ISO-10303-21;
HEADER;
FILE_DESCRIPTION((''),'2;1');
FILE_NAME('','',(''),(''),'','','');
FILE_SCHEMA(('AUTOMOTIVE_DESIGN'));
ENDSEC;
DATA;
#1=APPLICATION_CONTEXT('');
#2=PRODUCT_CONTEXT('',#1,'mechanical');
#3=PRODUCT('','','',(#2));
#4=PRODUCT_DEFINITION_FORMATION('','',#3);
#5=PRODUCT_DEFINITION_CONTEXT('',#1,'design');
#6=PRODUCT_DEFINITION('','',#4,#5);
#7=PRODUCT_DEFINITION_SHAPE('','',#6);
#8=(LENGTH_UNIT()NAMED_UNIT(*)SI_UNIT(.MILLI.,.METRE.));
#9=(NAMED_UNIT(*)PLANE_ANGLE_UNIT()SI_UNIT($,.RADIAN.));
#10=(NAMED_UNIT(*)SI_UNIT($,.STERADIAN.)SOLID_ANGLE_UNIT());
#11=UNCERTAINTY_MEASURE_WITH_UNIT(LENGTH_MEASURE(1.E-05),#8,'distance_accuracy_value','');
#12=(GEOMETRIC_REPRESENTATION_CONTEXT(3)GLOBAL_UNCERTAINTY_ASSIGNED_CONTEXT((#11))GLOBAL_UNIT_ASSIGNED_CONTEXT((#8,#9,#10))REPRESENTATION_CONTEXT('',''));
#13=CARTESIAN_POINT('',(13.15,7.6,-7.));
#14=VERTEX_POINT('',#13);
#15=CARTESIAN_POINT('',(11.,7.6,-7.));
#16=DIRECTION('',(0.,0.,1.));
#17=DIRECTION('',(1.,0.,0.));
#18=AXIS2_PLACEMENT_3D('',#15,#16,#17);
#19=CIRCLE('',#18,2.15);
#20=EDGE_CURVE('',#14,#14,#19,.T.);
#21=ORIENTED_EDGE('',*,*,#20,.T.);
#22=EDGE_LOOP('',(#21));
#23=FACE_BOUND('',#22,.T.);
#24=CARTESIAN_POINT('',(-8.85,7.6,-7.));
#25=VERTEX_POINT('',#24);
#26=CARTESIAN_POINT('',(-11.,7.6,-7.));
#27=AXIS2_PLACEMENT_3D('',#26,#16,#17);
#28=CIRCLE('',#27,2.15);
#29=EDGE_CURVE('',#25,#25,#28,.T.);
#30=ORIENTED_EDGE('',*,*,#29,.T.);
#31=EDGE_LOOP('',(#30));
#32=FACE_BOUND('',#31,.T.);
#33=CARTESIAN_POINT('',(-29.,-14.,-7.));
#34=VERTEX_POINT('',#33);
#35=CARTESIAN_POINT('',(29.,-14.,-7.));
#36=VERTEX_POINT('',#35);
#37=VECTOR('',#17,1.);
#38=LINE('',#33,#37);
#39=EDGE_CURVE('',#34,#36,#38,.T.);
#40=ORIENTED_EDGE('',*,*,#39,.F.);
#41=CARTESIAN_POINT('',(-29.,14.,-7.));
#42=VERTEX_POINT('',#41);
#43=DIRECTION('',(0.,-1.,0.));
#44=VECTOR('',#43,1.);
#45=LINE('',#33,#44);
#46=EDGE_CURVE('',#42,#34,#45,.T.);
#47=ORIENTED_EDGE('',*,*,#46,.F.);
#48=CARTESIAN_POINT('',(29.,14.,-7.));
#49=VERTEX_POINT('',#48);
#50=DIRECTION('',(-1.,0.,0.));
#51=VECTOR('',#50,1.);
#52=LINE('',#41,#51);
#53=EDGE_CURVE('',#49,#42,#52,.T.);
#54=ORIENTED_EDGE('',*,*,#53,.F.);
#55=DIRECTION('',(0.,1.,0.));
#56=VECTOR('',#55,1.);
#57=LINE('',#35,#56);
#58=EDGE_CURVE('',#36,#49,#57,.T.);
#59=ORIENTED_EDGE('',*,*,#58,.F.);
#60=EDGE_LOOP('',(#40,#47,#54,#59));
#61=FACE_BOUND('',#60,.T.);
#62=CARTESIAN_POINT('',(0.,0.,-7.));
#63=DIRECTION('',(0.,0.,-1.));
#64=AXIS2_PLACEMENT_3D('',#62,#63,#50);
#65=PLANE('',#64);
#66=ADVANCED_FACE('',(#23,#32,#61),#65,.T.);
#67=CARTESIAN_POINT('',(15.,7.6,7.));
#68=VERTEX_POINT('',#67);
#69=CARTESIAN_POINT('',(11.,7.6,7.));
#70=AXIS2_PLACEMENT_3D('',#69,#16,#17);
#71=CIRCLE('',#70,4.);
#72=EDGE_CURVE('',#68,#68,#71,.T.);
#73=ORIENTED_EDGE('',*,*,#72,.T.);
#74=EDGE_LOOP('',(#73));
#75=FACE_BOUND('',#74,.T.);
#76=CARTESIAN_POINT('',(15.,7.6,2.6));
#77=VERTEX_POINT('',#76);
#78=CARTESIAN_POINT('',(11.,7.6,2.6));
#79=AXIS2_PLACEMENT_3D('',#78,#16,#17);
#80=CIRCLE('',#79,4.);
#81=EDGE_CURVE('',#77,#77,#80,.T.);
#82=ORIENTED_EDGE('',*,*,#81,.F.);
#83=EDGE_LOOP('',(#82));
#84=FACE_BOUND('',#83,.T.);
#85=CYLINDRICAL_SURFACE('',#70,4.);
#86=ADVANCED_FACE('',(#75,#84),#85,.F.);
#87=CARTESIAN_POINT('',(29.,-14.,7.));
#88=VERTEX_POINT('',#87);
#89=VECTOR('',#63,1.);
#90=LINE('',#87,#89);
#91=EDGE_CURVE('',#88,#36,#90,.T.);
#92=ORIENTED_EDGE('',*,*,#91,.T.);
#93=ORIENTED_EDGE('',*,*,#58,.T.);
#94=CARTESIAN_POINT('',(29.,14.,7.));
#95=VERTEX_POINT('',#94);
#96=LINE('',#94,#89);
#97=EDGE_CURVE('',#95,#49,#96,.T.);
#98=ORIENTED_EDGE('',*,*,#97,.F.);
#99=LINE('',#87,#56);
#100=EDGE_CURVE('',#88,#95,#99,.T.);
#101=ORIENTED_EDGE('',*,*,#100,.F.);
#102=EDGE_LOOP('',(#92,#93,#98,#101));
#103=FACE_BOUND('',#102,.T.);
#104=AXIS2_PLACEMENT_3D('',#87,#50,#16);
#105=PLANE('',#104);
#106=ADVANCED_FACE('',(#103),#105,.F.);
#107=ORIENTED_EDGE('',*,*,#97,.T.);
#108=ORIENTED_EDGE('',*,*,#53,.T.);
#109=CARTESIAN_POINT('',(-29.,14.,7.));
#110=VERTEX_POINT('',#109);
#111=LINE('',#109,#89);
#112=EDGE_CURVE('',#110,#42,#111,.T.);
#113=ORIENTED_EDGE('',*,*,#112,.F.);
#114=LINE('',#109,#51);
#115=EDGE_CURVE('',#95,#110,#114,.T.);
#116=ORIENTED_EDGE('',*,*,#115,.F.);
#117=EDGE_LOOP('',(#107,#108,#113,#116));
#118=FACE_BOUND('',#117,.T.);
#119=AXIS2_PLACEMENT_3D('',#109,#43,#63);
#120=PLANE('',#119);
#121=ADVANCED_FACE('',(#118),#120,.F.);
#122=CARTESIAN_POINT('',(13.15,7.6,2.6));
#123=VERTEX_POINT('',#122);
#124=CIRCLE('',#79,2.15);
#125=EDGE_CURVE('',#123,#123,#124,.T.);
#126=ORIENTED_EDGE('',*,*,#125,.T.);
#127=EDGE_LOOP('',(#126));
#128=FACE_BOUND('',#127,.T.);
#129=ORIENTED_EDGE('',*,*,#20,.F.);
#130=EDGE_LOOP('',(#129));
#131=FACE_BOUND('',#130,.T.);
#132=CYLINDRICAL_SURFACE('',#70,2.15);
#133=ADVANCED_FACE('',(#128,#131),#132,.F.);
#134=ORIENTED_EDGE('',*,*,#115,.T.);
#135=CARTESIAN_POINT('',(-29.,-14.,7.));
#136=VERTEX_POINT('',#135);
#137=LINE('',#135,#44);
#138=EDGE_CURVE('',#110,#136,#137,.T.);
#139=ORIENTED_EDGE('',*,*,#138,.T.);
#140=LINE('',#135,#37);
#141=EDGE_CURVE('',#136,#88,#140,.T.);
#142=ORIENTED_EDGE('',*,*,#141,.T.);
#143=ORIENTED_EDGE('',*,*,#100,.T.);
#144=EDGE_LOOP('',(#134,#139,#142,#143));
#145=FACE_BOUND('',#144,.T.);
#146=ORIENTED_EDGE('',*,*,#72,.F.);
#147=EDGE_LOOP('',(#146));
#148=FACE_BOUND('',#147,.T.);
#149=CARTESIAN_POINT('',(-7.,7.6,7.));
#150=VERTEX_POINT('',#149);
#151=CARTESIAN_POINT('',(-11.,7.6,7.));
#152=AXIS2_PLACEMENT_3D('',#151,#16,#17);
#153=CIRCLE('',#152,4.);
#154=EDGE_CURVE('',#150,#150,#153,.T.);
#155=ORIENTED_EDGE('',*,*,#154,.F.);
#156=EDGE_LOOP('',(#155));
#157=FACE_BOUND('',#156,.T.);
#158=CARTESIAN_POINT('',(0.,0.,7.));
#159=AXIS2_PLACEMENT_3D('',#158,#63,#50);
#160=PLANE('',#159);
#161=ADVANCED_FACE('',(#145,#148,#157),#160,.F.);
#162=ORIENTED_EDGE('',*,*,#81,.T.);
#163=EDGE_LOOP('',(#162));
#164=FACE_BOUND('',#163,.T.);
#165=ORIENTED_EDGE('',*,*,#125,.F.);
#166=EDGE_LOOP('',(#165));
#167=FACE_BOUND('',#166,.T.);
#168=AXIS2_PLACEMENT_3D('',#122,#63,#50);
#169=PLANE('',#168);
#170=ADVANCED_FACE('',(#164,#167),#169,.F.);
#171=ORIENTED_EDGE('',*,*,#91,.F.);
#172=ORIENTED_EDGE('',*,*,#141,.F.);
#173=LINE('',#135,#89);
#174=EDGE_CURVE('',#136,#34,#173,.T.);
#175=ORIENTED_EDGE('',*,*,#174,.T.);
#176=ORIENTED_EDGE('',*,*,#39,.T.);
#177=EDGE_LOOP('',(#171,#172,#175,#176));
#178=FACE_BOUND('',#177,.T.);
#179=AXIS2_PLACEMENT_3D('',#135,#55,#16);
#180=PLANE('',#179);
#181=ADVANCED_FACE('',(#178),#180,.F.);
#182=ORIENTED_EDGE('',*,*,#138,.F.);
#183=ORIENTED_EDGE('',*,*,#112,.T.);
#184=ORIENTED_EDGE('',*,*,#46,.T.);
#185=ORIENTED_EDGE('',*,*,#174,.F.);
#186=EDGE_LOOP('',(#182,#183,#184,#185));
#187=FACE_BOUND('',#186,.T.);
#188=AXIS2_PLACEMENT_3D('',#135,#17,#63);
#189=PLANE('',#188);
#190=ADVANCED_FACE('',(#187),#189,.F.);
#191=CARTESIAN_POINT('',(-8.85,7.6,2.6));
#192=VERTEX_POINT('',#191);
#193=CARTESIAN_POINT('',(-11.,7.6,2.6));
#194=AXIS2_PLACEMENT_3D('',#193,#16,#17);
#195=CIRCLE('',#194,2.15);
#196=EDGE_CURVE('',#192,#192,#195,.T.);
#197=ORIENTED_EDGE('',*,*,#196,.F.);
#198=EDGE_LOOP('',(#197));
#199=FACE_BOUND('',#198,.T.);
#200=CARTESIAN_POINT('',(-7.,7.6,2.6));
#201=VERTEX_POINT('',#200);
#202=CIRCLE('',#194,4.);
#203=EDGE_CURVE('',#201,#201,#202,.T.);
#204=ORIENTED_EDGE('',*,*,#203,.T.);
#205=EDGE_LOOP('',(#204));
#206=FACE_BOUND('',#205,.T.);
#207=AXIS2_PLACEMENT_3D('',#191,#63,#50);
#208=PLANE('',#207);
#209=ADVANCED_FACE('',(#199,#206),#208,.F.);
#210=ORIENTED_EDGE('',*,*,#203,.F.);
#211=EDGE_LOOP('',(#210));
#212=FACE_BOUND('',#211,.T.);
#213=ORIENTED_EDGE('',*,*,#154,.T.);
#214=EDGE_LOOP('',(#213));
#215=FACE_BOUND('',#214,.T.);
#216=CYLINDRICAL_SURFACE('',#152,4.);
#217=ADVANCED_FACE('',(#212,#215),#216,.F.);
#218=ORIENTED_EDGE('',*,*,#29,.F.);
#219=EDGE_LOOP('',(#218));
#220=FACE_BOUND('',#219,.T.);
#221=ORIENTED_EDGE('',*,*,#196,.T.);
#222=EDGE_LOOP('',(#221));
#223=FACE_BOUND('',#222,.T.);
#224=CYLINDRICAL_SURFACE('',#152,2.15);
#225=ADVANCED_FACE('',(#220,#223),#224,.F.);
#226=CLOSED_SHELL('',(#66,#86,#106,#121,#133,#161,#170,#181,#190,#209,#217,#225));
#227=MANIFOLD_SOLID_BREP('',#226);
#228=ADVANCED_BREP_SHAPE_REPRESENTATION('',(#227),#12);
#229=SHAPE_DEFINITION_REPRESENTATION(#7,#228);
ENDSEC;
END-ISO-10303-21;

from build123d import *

# Parameters (mm, degrees)
SKETCH1_W                                           = 58
SKETCH1_H                                           = 28
BOSS_EXTRUDE1_DEPTH                                 = 7
CBORE_FOR_M4_HEX_SOCKET_HEAD_CAP_SCREW1_D           = 4.3
CBORE_FOR_M4_HEX_SOCKET_HEAD_CAP_SCREW1_CBORE_D     = 8
CBORE_FOR_M4_HEX_SOCKET_HEAD_CAP_SCREW1_CBORE_DEPTH = 4.4


with BuildPart() as part:
    # Sketch1 → Boss-Extrude1 (new, symmetric)
    with BuildSketch(Plane.XY):
        Rectangle(SKETCH1_W, SKETCH1_H)
    extrude(amount=BOSS_EXTRUDE1_DEPTH, both=True)

    # CBORE for M4 Hex Socket Head Cap Screw1 (through all)
    with Locations(Plane.XY.offset(7)):
        with Locations((-11, 7.6), (11, 7.6)):
            CounterBoreHole(CBORE_FOR_M4_HEX_SOCKET_HEAD_CAP_SCREW1_D / 2, CBORE_FOR_M4_HEX_SOCKET_HEAD_CAP_SCREW1_CBORE_D / 2, CBORE_FOR_M4_HEX_SOCKET_HEAD_CAP_SCREW1_CBORE_DEPTH)


solid = part.part
